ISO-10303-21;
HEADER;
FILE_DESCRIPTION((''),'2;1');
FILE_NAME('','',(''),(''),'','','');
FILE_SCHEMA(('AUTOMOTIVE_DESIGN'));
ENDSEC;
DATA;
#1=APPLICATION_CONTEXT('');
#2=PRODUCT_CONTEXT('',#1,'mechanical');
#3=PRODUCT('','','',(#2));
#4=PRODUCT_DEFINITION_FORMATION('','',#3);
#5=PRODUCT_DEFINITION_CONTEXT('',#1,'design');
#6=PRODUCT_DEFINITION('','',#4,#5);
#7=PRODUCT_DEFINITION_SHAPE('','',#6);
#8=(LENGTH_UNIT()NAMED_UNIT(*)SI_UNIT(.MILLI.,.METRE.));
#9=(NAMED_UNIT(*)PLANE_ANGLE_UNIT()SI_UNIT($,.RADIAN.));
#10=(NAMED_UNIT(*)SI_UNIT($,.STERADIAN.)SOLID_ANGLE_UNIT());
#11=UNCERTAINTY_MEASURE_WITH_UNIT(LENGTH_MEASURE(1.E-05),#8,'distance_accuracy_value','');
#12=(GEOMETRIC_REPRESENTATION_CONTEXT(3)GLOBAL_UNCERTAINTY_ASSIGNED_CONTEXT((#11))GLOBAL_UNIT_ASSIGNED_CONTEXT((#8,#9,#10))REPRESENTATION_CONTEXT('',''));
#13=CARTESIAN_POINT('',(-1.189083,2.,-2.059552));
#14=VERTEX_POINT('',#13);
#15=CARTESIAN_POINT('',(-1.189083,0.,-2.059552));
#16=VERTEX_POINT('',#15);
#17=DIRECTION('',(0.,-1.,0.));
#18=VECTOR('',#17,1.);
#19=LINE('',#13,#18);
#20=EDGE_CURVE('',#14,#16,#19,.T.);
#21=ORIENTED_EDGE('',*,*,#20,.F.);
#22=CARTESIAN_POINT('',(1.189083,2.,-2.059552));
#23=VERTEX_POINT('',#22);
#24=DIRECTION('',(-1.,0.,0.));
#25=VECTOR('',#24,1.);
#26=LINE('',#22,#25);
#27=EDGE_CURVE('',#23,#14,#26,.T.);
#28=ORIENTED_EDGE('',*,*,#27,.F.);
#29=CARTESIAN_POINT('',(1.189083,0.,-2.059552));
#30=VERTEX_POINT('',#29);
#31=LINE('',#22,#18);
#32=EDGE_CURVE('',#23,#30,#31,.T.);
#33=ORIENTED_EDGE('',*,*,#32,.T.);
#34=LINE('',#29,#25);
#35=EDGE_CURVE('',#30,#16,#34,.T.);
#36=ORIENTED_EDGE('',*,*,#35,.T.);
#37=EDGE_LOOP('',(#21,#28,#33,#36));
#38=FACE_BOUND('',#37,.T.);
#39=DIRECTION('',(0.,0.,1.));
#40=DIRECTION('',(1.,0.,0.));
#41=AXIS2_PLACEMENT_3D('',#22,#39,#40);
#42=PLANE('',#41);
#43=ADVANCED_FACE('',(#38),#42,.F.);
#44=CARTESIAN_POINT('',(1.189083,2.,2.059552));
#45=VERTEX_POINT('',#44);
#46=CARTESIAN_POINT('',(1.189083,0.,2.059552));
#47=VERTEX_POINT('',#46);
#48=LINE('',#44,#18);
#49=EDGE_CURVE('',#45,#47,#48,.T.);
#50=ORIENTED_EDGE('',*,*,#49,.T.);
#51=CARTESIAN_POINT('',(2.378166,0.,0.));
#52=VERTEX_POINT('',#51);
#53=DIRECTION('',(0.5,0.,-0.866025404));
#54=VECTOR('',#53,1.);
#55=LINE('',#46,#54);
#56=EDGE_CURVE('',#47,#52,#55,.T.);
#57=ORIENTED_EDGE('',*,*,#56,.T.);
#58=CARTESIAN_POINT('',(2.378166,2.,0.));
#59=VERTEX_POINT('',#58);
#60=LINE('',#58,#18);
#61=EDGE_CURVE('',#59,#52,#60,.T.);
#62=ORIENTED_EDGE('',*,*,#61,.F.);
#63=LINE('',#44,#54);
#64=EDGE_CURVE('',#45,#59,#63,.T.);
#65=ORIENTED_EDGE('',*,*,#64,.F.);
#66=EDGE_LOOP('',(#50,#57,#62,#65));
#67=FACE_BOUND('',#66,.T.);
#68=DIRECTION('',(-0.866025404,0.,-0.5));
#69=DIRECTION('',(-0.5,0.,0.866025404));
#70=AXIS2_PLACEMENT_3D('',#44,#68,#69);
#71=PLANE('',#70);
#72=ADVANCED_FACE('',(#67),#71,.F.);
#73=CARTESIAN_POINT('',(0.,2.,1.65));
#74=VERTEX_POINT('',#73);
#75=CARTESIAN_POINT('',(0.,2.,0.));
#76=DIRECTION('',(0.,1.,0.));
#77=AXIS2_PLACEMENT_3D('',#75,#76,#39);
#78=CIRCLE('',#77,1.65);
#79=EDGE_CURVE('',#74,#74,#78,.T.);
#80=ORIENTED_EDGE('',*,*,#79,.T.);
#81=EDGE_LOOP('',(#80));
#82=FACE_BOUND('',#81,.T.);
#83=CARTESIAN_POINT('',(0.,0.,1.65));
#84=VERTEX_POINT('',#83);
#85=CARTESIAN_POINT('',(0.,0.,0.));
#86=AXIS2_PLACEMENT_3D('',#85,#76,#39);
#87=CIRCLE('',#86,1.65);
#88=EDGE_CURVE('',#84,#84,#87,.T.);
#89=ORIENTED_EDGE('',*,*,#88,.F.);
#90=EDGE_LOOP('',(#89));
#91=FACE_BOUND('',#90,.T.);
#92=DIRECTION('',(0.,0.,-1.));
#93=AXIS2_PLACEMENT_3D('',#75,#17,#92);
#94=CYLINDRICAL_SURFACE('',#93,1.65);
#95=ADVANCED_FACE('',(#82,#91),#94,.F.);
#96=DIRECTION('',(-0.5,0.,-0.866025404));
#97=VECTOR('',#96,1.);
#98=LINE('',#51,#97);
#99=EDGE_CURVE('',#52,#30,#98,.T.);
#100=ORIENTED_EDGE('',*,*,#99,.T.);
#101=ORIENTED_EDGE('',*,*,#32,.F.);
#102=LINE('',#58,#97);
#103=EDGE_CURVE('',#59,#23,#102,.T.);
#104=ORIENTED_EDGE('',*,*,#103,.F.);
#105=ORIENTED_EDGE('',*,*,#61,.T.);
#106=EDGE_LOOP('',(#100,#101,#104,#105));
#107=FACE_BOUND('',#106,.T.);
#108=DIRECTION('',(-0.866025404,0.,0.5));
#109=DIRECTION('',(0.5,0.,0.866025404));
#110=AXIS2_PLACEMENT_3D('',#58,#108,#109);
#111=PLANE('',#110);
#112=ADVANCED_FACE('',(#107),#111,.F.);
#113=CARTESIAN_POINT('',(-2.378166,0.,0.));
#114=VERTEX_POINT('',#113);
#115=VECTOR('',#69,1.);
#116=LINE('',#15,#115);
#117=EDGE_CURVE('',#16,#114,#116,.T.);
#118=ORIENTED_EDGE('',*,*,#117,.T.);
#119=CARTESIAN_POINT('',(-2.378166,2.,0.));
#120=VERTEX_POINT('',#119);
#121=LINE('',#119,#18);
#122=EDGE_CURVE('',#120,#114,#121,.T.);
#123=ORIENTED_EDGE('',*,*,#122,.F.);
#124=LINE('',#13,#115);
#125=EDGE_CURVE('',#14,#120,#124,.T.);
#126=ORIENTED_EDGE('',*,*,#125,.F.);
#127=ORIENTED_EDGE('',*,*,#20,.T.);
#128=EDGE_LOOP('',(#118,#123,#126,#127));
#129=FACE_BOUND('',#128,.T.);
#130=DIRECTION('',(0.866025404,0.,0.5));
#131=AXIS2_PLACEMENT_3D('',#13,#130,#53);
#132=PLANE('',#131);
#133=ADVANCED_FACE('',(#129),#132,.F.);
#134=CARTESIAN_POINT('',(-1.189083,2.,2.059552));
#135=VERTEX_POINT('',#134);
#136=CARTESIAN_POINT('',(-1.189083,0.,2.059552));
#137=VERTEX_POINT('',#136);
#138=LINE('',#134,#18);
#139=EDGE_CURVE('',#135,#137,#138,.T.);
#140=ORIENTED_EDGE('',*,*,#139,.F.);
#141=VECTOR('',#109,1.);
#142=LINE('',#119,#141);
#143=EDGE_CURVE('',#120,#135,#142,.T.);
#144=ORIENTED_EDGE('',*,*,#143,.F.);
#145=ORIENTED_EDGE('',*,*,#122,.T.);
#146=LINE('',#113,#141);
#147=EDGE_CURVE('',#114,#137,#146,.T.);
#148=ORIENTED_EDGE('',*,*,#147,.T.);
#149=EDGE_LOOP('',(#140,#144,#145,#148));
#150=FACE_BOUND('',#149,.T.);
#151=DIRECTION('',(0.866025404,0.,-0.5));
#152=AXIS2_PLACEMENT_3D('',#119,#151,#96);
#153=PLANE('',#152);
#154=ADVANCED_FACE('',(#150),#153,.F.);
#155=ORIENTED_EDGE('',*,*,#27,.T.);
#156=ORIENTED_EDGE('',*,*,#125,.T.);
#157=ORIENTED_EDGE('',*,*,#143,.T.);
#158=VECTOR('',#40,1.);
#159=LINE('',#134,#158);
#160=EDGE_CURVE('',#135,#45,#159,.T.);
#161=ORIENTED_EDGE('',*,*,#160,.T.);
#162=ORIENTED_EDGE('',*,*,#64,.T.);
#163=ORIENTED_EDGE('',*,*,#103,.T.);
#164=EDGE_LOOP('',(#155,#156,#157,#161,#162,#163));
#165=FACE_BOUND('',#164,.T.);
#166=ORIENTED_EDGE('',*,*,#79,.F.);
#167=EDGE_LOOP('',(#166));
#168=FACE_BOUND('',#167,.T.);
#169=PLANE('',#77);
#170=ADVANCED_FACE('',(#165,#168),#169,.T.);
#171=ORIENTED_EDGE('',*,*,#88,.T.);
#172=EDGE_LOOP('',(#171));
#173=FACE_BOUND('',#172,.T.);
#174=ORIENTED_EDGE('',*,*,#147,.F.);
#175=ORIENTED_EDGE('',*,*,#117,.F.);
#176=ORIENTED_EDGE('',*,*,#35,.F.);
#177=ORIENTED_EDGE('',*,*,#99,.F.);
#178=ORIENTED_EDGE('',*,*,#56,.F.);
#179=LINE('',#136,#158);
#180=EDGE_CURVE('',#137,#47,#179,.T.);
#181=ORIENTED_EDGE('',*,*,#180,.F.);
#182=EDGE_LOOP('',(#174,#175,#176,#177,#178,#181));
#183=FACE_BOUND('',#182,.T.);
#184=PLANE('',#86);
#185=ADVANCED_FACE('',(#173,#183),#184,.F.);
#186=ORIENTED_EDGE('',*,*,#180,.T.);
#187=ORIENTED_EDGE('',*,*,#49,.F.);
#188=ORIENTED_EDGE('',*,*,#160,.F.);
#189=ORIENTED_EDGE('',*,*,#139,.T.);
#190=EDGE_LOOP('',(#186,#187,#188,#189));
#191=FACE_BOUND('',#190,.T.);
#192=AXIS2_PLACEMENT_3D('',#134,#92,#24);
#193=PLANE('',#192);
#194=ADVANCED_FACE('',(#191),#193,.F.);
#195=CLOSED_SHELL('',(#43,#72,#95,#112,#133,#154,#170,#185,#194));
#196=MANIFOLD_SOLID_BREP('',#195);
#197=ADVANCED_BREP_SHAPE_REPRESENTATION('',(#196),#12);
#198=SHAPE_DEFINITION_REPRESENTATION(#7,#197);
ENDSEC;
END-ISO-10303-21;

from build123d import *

# Parameters (mm, degrees)
CROQUIS1_R              = 1.65
SALIENTE_EXTRUIR1_DEPTH = 2


with BuildPart() as part:
    # Croquis1 → Saliente-Extruir1 (new body)
    with BuildSketch(Plane(origin=(0, 0, 0), x_dir=(1, 0, 0), z_dir=(0, 1, 0))):
        Polygon((2.378166231, 0), (1.189083115, 2.05955237), (-1.189083115, 2.05955237), (-2.378166231, 0), (-1.189083115, -2.05955237), (1.189083115, -2.05955237), align=None)
        Circle(CROQUIS1_R, mode=Mode.SUBTRACT)
    extrude(amount=SALIENTE_EXTRUIR1_DEPTH)


solid = part.part
